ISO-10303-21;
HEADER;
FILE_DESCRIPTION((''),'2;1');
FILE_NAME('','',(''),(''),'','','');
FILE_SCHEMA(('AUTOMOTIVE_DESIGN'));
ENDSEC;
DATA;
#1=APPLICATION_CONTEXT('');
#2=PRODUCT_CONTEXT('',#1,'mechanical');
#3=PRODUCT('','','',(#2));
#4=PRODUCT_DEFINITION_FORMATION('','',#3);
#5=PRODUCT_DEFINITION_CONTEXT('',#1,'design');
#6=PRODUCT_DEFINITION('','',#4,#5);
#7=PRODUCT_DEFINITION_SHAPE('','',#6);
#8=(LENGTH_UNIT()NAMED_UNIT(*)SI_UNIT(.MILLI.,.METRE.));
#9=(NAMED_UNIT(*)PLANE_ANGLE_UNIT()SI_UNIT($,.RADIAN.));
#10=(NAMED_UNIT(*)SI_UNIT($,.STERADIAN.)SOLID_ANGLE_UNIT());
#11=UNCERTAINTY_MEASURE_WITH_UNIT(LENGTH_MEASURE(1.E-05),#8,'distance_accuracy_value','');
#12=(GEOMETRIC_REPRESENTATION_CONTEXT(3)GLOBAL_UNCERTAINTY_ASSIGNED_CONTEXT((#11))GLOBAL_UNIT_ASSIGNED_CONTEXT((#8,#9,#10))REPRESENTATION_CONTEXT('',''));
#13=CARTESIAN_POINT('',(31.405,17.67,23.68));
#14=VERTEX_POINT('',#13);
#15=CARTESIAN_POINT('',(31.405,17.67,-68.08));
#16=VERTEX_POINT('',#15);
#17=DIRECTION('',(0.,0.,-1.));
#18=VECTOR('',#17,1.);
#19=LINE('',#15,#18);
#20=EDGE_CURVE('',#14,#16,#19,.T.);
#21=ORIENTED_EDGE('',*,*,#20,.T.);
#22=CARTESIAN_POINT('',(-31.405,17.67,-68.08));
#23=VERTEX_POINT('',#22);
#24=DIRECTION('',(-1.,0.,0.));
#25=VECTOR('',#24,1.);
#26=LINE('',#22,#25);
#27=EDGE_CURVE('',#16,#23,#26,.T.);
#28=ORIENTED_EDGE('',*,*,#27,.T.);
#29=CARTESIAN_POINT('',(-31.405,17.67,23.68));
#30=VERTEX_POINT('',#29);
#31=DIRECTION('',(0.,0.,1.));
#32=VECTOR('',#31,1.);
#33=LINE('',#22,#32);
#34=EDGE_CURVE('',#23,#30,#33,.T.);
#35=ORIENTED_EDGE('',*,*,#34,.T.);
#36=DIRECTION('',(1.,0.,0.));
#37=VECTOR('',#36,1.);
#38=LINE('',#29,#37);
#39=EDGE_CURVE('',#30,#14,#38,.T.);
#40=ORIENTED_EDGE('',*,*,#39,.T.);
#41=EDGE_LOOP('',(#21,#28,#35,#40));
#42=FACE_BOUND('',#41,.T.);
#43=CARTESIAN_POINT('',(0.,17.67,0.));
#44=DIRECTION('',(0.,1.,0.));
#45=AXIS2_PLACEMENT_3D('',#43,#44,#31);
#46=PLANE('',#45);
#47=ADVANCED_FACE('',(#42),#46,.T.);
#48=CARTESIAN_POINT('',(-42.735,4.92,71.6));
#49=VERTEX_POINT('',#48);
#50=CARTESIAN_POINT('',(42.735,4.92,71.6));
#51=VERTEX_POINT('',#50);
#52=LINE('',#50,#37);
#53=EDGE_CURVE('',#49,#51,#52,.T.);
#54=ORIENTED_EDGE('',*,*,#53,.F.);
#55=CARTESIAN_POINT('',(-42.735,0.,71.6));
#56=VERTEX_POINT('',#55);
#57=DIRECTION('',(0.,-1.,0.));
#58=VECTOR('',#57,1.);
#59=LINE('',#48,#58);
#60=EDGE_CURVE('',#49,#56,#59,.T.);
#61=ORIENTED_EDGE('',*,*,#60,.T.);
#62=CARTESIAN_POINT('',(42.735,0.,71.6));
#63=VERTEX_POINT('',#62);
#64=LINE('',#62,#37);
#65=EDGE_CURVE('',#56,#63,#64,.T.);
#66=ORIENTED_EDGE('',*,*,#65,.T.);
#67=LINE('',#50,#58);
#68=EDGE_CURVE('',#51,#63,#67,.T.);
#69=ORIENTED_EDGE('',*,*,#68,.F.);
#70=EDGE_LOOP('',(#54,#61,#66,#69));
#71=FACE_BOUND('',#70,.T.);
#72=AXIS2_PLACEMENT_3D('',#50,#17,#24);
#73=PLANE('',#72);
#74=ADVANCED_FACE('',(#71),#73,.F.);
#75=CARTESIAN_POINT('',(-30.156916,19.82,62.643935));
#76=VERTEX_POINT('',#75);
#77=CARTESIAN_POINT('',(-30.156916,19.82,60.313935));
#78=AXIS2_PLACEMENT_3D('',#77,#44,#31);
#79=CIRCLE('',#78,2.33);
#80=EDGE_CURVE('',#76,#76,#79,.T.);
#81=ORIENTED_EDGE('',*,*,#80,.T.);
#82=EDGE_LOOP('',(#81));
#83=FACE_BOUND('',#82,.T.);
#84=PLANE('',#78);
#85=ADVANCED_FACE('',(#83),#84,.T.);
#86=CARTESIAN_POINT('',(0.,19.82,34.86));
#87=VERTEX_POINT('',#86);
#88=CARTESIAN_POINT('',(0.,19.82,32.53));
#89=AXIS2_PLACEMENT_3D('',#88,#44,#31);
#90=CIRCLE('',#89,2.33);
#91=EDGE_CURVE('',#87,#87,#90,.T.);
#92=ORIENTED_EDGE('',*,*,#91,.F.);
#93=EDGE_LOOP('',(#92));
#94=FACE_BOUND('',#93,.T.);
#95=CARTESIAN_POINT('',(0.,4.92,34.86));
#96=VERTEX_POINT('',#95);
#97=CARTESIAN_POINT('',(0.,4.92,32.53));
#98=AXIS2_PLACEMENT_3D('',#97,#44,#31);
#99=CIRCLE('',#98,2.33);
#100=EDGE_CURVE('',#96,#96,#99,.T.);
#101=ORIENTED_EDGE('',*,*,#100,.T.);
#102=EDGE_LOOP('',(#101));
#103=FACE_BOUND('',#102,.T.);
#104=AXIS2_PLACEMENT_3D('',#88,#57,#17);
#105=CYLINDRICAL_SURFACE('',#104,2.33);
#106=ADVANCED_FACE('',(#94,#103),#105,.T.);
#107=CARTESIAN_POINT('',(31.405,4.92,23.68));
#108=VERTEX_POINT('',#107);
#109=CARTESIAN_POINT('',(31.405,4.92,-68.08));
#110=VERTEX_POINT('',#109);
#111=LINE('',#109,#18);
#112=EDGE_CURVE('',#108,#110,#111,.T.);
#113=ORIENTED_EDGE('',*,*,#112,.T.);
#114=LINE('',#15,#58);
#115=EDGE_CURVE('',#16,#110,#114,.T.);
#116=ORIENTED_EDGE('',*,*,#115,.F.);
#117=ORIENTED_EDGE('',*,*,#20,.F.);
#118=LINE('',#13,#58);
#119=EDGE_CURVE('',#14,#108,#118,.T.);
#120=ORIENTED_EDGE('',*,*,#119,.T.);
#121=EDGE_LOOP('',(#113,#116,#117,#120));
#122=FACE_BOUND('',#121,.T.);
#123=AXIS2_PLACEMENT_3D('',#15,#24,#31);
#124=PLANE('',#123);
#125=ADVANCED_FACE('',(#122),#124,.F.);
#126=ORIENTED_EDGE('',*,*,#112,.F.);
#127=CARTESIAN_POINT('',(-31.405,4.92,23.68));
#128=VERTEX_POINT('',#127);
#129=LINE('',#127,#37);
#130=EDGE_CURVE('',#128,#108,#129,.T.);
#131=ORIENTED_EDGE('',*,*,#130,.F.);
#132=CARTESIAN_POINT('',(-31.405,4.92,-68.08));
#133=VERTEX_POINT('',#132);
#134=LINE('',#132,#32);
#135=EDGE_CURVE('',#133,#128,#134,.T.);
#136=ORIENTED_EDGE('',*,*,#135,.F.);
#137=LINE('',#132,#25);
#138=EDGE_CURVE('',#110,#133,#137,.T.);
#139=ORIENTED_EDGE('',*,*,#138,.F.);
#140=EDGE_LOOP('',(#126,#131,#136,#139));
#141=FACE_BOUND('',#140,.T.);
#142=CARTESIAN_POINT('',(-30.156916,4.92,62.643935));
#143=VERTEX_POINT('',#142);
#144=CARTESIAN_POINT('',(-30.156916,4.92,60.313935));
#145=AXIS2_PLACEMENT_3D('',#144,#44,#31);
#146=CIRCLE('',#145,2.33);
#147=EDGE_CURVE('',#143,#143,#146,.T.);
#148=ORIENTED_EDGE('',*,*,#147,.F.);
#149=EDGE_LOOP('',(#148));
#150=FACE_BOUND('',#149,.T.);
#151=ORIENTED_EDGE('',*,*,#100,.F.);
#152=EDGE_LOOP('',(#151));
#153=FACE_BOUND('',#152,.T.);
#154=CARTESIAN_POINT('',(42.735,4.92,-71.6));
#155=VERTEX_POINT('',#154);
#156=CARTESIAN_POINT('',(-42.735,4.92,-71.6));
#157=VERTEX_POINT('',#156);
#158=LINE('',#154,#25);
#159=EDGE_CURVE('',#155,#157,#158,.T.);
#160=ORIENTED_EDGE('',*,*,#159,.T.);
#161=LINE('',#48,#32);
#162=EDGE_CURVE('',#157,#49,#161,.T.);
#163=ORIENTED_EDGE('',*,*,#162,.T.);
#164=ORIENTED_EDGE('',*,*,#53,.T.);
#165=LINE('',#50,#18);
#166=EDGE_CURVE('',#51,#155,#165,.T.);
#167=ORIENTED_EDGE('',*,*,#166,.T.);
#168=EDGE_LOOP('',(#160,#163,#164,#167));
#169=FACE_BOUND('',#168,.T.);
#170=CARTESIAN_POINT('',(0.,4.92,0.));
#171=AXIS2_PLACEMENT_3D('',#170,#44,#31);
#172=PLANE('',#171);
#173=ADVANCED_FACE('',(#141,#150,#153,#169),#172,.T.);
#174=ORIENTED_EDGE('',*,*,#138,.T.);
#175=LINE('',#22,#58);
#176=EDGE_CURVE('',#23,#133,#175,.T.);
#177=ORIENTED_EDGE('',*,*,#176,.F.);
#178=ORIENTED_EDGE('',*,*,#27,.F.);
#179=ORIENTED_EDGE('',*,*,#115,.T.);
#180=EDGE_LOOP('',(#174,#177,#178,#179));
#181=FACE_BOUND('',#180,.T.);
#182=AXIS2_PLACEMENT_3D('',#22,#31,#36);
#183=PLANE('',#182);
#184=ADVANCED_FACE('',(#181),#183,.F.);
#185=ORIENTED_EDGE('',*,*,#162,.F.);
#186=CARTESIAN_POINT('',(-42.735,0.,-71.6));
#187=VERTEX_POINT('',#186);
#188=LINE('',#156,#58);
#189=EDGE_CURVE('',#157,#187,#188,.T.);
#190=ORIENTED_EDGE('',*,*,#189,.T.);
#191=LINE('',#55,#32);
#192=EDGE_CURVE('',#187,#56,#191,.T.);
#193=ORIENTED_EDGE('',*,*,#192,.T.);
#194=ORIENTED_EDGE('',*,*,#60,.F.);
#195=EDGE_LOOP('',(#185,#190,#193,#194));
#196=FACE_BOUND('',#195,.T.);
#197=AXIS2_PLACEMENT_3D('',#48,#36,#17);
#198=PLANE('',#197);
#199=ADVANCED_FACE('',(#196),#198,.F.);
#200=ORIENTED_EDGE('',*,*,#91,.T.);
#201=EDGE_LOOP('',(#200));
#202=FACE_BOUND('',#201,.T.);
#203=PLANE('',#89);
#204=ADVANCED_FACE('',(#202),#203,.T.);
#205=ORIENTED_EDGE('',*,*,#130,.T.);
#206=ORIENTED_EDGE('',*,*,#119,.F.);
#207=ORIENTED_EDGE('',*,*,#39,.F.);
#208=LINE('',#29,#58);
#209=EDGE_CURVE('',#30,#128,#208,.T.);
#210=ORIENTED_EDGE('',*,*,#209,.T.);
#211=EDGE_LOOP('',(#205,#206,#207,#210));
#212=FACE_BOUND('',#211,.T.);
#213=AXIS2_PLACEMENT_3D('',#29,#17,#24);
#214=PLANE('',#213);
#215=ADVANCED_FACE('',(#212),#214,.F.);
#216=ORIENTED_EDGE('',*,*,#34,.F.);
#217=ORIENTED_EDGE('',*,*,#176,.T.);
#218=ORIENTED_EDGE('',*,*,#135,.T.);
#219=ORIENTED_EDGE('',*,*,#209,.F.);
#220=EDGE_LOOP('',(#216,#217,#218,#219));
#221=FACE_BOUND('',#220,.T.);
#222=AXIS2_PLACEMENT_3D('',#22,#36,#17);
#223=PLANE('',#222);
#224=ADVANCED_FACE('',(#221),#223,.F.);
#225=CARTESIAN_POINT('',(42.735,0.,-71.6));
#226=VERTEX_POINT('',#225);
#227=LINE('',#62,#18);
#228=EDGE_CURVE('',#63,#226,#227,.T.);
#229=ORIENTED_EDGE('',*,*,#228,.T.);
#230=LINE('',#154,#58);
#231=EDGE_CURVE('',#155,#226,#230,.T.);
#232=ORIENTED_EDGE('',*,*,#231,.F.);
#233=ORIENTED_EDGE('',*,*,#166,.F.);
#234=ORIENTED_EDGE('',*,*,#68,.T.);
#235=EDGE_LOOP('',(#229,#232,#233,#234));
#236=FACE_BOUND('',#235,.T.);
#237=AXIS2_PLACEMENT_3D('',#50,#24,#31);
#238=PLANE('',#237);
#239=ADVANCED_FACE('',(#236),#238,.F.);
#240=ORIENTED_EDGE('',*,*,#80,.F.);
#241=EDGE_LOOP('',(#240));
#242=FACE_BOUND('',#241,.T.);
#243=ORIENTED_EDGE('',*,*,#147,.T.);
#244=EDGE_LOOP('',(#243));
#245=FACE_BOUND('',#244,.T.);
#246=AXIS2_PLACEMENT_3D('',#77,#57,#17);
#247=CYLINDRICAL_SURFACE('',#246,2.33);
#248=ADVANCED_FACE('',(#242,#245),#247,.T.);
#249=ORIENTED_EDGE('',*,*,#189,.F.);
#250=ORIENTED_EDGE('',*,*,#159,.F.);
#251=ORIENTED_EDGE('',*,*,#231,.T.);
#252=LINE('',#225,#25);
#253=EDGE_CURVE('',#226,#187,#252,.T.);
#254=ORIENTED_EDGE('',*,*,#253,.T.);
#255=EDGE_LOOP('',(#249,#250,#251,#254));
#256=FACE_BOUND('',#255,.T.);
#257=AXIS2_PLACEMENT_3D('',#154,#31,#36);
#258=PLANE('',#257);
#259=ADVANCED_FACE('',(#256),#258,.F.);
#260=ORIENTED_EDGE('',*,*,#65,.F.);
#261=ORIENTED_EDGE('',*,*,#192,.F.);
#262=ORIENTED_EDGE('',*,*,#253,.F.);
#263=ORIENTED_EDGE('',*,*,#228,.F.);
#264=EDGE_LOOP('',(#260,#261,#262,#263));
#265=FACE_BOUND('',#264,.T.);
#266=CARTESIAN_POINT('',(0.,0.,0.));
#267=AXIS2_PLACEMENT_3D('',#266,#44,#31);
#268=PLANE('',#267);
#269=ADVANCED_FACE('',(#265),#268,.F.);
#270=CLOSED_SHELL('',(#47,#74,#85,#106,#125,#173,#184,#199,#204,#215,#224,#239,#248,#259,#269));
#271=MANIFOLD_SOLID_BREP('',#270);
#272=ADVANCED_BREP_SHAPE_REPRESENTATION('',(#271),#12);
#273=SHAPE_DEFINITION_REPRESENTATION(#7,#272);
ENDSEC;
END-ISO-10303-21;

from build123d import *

# Parameters (mm, degrees)
SKETCH1_W           = 85.47
SKETCH1_H           = 143.2
BOSS_EXTRUDE1_DEPTH = 4.92
SKETCH2_W           = 62.81
SKETCH2_H           = 91.76
BOSS_EXTRUDE2_DEPTH = 12.75
SKETCH3_R           = 2.33
BOSS_EXTRUDE3_DEPTH = 14.9


with BuildPart() as part:
    # Sketch1 → Boss-Extrude1 (new body)
    with BuildSketch(Plane(origin=(0, 0, 0), x_dir=(1, 0, 0), z_dir=(0, 1, 0))):
        Rectangle(SKETCH1_W, SKETCH1_H)
    extrude(amount=BOSS_EXTRUDE1_DEPTH)

    # Sketch2 → Boss-Extrude2 (add)
    with BuildSketch(Plane(origin=(0, 4.92, 0), x_dir=(1, 0, 0), z_dir=(0, 1, 0))):
        with Locations((0, 22.2)):
            Rectangle(SKETCH2_W, SKETCH2_H)
    extrude(amount=BOSS_EXTRUDE2_DEPTH)

    # Sketch3 → Boss-Extrude3 (add)
    with BuildSketch(Plane(origin=(0, 4.92, 0), x_dir=(1, 0, 0), z_dir=(0, 1, 0))):
        with Locations((0, -32.53)):
            Circle(SKETCH3_R)
        with Locations((-30.156916038, -60.313935435)):
            Circle(SKETCH3_R)
    extrude(amount=BOSS_EXTRUDE3_DEPTH)


solid = part.part
